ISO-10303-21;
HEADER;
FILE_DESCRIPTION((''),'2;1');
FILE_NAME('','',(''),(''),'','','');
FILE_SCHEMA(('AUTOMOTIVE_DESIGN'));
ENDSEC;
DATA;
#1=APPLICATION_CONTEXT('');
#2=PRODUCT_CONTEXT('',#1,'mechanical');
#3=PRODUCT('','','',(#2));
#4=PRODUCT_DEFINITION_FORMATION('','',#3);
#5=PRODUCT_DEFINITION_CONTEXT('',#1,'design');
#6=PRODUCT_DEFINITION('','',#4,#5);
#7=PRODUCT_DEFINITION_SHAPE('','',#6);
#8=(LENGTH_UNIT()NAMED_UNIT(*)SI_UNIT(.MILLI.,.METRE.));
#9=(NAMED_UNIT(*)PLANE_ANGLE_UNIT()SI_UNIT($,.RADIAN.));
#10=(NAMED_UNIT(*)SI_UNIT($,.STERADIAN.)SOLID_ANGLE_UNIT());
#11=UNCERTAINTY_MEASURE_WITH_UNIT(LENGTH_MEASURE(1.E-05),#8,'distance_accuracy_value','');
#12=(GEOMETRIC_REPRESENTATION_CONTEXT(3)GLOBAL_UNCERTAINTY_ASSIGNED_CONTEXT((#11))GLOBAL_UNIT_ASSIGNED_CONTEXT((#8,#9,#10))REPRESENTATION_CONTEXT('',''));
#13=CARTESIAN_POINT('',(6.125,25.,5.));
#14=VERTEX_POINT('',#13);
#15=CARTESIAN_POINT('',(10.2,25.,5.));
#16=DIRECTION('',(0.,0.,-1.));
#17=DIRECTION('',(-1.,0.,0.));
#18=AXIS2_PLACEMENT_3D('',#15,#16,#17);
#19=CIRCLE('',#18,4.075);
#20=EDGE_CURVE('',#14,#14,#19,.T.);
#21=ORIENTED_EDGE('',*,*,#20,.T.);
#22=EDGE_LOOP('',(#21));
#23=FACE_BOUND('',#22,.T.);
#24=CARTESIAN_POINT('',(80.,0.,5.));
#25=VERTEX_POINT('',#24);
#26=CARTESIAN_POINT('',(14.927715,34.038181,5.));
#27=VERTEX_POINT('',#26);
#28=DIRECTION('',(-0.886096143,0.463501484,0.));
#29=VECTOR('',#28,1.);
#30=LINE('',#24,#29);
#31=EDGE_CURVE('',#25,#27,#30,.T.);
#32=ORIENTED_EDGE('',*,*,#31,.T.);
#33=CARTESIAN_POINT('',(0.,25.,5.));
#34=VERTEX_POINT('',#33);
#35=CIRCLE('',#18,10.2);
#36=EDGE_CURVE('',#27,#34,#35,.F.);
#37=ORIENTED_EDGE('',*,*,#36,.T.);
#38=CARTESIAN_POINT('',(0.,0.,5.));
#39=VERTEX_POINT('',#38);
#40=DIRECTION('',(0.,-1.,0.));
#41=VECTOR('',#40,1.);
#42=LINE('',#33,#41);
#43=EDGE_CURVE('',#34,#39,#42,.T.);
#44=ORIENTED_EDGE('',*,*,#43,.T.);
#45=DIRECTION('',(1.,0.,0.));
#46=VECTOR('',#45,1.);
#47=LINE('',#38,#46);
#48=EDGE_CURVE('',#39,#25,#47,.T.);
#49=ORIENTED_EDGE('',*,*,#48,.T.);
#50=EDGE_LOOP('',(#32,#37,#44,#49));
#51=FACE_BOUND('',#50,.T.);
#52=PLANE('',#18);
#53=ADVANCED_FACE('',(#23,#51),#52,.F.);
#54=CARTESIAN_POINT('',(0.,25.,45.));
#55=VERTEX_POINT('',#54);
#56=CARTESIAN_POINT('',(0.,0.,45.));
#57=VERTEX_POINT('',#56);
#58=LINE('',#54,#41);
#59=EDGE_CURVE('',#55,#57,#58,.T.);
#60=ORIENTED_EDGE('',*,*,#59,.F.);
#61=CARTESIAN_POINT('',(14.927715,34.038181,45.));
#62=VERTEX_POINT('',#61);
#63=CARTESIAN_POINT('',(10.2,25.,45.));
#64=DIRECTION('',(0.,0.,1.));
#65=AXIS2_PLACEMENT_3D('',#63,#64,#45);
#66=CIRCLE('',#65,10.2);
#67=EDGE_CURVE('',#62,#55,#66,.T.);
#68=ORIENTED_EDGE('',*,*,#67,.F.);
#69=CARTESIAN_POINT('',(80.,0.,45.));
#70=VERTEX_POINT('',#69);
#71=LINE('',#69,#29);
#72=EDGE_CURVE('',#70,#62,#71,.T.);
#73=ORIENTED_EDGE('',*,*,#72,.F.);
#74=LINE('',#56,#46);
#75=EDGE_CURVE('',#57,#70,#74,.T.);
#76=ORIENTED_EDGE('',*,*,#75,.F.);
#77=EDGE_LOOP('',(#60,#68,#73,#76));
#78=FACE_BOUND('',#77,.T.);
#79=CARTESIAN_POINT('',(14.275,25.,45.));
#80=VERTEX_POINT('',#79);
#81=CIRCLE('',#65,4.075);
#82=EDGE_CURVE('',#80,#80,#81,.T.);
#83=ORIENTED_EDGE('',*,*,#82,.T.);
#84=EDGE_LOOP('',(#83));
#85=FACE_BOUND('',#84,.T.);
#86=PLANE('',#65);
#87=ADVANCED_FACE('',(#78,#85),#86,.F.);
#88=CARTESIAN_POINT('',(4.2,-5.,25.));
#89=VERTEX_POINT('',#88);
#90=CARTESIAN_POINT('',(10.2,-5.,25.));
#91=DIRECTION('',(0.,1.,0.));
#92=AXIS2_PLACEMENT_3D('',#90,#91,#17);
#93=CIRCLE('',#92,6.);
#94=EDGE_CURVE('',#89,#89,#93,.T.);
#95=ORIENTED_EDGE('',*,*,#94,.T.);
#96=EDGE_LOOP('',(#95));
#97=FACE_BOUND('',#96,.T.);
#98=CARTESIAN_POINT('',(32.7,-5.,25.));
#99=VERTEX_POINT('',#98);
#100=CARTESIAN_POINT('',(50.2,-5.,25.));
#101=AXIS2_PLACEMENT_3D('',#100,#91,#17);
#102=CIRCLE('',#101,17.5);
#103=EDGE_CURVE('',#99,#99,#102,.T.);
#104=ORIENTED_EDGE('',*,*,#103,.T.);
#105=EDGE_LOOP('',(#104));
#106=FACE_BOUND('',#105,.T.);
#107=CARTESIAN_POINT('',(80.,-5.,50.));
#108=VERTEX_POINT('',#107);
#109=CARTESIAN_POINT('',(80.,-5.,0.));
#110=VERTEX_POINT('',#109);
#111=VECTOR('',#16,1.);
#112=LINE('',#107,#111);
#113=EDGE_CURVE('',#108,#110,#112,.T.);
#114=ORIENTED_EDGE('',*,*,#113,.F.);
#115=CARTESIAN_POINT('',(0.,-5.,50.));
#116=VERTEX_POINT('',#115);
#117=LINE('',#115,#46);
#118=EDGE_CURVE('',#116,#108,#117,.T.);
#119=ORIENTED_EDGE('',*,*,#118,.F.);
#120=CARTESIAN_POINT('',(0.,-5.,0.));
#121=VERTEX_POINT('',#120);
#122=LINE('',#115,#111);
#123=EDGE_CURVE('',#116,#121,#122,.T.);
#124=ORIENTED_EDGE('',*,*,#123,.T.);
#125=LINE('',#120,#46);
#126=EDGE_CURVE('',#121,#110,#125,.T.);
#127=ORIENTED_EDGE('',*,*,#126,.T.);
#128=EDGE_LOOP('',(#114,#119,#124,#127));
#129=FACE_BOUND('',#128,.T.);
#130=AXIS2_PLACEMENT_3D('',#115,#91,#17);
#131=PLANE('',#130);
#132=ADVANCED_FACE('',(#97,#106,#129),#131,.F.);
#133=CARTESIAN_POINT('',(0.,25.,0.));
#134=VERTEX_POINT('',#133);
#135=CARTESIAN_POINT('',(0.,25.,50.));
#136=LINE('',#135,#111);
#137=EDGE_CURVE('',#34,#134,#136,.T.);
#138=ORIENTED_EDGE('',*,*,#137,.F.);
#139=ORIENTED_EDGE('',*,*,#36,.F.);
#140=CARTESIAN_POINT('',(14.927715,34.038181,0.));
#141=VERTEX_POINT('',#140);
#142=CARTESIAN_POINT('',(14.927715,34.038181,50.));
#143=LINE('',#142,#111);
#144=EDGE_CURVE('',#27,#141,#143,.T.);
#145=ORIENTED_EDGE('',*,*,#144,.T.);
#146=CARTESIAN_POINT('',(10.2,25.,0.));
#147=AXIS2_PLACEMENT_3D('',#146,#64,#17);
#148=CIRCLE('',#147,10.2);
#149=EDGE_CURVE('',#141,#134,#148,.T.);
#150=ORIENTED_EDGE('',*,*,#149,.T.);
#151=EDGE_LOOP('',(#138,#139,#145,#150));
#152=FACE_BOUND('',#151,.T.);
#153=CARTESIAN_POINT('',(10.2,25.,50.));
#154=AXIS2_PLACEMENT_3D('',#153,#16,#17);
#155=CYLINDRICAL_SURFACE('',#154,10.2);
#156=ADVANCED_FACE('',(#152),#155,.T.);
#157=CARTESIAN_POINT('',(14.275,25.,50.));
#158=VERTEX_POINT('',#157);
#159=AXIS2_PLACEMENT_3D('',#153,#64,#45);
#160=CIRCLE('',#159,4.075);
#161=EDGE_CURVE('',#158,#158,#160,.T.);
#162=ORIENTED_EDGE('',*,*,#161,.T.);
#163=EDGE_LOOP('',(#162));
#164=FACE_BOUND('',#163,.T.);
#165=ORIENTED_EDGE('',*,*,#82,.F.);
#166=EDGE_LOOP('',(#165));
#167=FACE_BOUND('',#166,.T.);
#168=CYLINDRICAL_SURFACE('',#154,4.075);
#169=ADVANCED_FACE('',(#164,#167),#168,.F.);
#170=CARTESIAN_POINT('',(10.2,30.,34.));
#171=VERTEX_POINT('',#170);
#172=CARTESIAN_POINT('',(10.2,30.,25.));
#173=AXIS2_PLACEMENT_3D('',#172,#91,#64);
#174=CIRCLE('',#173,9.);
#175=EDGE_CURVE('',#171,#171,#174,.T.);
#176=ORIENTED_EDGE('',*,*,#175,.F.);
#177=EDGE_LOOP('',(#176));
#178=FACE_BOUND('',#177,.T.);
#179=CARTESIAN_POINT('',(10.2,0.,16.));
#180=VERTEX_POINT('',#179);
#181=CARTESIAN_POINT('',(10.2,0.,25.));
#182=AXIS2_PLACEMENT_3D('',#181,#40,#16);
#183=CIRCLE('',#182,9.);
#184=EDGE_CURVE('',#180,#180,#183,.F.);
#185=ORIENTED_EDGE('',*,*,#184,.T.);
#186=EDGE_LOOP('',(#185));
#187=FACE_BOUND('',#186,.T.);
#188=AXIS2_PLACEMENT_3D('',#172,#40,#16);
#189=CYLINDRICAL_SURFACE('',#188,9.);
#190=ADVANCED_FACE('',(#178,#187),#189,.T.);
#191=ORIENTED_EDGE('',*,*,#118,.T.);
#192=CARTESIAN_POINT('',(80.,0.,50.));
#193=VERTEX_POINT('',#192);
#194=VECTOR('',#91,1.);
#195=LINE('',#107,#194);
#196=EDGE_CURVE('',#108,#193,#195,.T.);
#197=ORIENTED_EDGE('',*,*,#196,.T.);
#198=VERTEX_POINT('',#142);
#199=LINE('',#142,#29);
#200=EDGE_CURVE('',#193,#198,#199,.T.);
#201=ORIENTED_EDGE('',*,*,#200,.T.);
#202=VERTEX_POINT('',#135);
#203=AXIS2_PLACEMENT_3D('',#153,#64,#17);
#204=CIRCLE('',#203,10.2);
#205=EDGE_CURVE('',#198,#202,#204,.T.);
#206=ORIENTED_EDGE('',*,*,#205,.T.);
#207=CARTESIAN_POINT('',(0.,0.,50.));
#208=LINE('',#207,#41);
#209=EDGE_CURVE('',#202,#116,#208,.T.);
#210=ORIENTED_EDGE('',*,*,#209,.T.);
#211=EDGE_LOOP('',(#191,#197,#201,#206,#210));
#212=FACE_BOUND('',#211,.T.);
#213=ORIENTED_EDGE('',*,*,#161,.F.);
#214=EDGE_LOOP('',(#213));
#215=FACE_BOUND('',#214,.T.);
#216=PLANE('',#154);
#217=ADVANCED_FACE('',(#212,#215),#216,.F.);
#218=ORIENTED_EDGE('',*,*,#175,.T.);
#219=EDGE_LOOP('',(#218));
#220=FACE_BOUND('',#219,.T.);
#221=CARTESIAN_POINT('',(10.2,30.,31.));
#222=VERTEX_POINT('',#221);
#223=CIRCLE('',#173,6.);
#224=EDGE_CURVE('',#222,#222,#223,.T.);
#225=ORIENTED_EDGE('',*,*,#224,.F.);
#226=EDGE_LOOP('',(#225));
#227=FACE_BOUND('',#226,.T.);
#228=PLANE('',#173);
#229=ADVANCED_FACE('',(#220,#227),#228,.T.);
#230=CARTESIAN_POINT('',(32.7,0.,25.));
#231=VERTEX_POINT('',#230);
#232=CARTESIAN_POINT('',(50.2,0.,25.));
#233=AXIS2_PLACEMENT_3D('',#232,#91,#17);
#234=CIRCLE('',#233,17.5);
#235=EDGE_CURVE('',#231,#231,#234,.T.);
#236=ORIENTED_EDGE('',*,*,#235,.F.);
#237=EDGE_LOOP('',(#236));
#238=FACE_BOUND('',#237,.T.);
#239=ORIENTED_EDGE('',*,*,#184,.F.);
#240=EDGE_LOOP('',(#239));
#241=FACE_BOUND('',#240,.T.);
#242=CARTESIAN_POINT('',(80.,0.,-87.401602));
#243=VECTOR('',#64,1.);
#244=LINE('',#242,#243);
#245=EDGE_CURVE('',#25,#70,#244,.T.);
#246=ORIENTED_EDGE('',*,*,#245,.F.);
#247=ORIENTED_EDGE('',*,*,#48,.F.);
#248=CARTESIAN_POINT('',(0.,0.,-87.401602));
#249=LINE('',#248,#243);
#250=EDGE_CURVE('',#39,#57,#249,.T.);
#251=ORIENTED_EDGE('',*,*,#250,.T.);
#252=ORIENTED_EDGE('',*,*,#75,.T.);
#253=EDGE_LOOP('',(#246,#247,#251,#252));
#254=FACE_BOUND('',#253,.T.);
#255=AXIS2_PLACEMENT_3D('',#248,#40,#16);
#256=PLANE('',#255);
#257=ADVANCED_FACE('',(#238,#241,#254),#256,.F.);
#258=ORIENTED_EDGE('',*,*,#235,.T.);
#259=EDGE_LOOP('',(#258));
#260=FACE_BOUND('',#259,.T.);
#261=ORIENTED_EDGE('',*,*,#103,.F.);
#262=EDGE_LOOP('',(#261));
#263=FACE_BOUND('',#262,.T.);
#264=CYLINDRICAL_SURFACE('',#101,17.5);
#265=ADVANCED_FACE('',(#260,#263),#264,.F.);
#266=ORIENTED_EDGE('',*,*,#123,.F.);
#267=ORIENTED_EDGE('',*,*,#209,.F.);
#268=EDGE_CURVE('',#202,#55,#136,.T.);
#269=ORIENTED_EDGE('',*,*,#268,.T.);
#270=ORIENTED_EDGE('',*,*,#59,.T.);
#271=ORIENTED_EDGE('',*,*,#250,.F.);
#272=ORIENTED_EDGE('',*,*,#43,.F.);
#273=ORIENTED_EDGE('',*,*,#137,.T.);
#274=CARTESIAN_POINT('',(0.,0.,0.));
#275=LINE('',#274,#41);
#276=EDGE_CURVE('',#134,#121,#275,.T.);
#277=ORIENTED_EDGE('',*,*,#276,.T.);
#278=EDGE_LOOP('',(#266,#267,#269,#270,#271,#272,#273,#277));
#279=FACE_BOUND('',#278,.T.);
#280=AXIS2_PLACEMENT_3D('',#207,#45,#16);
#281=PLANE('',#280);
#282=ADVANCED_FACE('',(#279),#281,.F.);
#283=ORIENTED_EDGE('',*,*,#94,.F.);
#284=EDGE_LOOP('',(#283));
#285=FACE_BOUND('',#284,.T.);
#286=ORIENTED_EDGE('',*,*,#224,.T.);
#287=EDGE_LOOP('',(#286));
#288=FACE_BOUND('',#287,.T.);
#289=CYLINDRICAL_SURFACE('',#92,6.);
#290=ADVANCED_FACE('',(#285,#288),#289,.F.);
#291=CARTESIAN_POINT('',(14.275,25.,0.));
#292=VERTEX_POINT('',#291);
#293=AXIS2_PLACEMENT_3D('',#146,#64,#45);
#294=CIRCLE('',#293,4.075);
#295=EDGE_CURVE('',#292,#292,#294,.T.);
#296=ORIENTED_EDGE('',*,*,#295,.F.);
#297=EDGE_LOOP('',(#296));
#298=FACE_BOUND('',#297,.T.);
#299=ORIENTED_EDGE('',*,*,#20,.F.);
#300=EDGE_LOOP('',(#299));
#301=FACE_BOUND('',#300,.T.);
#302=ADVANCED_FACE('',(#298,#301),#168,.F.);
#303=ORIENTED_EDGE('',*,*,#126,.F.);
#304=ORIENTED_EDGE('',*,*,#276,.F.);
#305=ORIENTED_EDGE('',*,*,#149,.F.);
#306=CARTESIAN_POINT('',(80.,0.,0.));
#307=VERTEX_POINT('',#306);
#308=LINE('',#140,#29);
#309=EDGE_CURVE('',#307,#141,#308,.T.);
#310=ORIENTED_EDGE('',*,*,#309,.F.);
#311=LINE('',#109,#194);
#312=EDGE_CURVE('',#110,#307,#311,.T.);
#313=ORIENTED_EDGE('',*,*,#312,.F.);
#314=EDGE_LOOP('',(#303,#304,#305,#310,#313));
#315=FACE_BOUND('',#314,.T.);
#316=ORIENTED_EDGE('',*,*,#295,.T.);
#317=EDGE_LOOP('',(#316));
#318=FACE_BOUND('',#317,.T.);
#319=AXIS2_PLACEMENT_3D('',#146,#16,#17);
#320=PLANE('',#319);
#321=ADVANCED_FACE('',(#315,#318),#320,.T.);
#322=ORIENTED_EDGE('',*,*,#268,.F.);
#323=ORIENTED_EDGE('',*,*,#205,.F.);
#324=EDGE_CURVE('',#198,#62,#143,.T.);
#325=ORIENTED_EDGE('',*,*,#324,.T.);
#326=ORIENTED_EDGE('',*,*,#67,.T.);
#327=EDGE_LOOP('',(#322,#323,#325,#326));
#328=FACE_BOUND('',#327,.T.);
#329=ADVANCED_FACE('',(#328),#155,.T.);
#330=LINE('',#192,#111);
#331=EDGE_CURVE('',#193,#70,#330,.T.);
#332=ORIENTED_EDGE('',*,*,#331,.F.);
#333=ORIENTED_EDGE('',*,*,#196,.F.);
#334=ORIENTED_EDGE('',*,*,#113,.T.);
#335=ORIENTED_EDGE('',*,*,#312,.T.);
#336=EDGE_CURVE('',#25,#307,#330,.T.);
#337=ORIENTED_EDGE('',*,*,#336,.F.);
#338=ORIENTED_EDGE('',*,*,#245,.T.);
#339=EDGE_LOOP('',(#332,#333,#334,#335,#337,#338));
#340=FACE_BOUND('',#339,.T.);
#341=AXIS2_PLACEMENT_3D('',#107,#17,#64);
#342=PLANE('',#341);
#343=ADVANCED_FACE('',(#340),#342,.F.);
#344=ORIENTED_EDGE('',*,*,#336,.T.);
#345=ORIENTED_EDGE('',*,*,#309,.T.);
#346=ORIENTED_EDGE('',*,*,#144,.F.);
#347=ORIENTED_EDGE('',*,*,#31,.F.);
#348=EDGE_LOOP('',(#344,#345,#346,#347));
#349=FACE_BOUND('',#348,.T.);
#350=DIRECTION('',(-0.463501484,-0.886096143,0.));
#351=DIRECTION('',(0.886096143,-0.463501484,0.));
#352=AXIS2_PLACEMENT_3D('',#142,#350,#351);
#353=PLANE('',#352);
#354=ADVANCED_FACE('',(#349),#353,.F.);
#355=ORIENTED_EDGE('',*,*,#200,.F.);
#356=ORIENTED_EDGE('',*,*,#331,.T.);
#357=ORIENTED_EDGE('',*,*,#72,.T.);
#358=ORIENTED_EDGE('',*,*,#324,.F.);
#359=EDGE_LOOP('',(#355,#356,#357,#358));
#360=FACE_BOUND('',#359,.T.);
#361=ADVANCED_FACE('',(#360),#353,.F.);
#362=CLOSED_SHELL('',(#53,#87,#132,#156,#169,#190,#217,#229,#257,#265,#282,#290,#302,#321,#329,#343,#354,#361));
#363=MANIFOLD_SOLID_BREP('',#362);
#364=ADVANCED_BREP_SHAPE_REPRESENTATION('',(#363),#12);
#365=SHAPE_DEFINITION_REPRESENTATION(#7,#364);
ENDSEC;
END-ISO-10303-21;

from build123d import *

# Parameters (mm, degrees)
SKETCH3_R           = 4.075
BOSS_EXTRUDE3_DEPTH = 50
CUT_EXTRUDE1_DEPTH  = 40
SKETCH8_R           = 6
SKETCH8_R_2         = 17.5
CUT_EXTRUDE2_DEPTH  = 6
SKETCH9_R           = 9
SKETCH9_R_2         = 6
BOSS_EXTRUDE4_DEPTH = 30


with BuildPart() as part:
    # Sketch3 → Boss-Extrude3 (new body)
    with BuildSketch(Plane.XY):
        with BuildLine():
            Line((0, 0), (0, 25))
            ThreePointArc((0, 25), (4.917135927, 33.725327913), (14.927715135, 34.038180658))
            Line((14.927715135, 34.038180658), (80, 0))
            Line((80, 0), (80, -5))
            Line((80, -5), (0, -5))
            Line((0, -5), (0, 0))
        make_face()
        with Locations((10.2, 25)):
            Circle(SKETCH3_R, mode=Mode.SUBTRACT)
    extrude(amount=BOSS_EXTRUDE3_DEPTH)

    # Sketch6 → Cut-Extrude1 (cut)
    with BuildSketch(Plane.XY.offset(45)):
        with BuildLine():
            Line((0, 25), (0, 0))
            Line((0, 0), (80, 0))
            Line((80, 0), (14.927715135, 34.038180658))
            ThreePointArc((14.927715135, 34.038180658), (4.917135927, 33.725327913), (0, 25))
        make_face()
    extrude(amount=-CUT_EXTRUDE1_DEPTH, mode=Mode.SUBTRACT)

    # Sketch8 → Cut-Extrude2 (cut, through all)
    with BuildSketch(Plane(origin=(0, 0, 0), x_dir=(1, 0, 0), z_dir=(0, 1, 0))):
        with Locations((10.2, -25)):
            Circle(SKETCH8_R)
        with Locations((50.2, -25)):
            Circle(SKETCH8_R_2)
    extrude(amount=-CUT_EXTRUDE2_DEPTH, mode=Mode.SUBTRACT)

    # Sketch9 → Boss-Extrude4 (add)
    with BuildSketch(Plane(origin=(0, 0, 0), x_dir=(1, 0, 0), z_dir=(0, 1, 0))):
        with Locations((10.2, -25)):
            Circle(SKETCH9_R)
        with Locations((10.2, -25)):
            Circle(SKETCH9_R_2, mode=Mode.SUBTRACT)
    extrude(amount=BOSS_EXTRUDE4_DEPTH)


solid = part.part
